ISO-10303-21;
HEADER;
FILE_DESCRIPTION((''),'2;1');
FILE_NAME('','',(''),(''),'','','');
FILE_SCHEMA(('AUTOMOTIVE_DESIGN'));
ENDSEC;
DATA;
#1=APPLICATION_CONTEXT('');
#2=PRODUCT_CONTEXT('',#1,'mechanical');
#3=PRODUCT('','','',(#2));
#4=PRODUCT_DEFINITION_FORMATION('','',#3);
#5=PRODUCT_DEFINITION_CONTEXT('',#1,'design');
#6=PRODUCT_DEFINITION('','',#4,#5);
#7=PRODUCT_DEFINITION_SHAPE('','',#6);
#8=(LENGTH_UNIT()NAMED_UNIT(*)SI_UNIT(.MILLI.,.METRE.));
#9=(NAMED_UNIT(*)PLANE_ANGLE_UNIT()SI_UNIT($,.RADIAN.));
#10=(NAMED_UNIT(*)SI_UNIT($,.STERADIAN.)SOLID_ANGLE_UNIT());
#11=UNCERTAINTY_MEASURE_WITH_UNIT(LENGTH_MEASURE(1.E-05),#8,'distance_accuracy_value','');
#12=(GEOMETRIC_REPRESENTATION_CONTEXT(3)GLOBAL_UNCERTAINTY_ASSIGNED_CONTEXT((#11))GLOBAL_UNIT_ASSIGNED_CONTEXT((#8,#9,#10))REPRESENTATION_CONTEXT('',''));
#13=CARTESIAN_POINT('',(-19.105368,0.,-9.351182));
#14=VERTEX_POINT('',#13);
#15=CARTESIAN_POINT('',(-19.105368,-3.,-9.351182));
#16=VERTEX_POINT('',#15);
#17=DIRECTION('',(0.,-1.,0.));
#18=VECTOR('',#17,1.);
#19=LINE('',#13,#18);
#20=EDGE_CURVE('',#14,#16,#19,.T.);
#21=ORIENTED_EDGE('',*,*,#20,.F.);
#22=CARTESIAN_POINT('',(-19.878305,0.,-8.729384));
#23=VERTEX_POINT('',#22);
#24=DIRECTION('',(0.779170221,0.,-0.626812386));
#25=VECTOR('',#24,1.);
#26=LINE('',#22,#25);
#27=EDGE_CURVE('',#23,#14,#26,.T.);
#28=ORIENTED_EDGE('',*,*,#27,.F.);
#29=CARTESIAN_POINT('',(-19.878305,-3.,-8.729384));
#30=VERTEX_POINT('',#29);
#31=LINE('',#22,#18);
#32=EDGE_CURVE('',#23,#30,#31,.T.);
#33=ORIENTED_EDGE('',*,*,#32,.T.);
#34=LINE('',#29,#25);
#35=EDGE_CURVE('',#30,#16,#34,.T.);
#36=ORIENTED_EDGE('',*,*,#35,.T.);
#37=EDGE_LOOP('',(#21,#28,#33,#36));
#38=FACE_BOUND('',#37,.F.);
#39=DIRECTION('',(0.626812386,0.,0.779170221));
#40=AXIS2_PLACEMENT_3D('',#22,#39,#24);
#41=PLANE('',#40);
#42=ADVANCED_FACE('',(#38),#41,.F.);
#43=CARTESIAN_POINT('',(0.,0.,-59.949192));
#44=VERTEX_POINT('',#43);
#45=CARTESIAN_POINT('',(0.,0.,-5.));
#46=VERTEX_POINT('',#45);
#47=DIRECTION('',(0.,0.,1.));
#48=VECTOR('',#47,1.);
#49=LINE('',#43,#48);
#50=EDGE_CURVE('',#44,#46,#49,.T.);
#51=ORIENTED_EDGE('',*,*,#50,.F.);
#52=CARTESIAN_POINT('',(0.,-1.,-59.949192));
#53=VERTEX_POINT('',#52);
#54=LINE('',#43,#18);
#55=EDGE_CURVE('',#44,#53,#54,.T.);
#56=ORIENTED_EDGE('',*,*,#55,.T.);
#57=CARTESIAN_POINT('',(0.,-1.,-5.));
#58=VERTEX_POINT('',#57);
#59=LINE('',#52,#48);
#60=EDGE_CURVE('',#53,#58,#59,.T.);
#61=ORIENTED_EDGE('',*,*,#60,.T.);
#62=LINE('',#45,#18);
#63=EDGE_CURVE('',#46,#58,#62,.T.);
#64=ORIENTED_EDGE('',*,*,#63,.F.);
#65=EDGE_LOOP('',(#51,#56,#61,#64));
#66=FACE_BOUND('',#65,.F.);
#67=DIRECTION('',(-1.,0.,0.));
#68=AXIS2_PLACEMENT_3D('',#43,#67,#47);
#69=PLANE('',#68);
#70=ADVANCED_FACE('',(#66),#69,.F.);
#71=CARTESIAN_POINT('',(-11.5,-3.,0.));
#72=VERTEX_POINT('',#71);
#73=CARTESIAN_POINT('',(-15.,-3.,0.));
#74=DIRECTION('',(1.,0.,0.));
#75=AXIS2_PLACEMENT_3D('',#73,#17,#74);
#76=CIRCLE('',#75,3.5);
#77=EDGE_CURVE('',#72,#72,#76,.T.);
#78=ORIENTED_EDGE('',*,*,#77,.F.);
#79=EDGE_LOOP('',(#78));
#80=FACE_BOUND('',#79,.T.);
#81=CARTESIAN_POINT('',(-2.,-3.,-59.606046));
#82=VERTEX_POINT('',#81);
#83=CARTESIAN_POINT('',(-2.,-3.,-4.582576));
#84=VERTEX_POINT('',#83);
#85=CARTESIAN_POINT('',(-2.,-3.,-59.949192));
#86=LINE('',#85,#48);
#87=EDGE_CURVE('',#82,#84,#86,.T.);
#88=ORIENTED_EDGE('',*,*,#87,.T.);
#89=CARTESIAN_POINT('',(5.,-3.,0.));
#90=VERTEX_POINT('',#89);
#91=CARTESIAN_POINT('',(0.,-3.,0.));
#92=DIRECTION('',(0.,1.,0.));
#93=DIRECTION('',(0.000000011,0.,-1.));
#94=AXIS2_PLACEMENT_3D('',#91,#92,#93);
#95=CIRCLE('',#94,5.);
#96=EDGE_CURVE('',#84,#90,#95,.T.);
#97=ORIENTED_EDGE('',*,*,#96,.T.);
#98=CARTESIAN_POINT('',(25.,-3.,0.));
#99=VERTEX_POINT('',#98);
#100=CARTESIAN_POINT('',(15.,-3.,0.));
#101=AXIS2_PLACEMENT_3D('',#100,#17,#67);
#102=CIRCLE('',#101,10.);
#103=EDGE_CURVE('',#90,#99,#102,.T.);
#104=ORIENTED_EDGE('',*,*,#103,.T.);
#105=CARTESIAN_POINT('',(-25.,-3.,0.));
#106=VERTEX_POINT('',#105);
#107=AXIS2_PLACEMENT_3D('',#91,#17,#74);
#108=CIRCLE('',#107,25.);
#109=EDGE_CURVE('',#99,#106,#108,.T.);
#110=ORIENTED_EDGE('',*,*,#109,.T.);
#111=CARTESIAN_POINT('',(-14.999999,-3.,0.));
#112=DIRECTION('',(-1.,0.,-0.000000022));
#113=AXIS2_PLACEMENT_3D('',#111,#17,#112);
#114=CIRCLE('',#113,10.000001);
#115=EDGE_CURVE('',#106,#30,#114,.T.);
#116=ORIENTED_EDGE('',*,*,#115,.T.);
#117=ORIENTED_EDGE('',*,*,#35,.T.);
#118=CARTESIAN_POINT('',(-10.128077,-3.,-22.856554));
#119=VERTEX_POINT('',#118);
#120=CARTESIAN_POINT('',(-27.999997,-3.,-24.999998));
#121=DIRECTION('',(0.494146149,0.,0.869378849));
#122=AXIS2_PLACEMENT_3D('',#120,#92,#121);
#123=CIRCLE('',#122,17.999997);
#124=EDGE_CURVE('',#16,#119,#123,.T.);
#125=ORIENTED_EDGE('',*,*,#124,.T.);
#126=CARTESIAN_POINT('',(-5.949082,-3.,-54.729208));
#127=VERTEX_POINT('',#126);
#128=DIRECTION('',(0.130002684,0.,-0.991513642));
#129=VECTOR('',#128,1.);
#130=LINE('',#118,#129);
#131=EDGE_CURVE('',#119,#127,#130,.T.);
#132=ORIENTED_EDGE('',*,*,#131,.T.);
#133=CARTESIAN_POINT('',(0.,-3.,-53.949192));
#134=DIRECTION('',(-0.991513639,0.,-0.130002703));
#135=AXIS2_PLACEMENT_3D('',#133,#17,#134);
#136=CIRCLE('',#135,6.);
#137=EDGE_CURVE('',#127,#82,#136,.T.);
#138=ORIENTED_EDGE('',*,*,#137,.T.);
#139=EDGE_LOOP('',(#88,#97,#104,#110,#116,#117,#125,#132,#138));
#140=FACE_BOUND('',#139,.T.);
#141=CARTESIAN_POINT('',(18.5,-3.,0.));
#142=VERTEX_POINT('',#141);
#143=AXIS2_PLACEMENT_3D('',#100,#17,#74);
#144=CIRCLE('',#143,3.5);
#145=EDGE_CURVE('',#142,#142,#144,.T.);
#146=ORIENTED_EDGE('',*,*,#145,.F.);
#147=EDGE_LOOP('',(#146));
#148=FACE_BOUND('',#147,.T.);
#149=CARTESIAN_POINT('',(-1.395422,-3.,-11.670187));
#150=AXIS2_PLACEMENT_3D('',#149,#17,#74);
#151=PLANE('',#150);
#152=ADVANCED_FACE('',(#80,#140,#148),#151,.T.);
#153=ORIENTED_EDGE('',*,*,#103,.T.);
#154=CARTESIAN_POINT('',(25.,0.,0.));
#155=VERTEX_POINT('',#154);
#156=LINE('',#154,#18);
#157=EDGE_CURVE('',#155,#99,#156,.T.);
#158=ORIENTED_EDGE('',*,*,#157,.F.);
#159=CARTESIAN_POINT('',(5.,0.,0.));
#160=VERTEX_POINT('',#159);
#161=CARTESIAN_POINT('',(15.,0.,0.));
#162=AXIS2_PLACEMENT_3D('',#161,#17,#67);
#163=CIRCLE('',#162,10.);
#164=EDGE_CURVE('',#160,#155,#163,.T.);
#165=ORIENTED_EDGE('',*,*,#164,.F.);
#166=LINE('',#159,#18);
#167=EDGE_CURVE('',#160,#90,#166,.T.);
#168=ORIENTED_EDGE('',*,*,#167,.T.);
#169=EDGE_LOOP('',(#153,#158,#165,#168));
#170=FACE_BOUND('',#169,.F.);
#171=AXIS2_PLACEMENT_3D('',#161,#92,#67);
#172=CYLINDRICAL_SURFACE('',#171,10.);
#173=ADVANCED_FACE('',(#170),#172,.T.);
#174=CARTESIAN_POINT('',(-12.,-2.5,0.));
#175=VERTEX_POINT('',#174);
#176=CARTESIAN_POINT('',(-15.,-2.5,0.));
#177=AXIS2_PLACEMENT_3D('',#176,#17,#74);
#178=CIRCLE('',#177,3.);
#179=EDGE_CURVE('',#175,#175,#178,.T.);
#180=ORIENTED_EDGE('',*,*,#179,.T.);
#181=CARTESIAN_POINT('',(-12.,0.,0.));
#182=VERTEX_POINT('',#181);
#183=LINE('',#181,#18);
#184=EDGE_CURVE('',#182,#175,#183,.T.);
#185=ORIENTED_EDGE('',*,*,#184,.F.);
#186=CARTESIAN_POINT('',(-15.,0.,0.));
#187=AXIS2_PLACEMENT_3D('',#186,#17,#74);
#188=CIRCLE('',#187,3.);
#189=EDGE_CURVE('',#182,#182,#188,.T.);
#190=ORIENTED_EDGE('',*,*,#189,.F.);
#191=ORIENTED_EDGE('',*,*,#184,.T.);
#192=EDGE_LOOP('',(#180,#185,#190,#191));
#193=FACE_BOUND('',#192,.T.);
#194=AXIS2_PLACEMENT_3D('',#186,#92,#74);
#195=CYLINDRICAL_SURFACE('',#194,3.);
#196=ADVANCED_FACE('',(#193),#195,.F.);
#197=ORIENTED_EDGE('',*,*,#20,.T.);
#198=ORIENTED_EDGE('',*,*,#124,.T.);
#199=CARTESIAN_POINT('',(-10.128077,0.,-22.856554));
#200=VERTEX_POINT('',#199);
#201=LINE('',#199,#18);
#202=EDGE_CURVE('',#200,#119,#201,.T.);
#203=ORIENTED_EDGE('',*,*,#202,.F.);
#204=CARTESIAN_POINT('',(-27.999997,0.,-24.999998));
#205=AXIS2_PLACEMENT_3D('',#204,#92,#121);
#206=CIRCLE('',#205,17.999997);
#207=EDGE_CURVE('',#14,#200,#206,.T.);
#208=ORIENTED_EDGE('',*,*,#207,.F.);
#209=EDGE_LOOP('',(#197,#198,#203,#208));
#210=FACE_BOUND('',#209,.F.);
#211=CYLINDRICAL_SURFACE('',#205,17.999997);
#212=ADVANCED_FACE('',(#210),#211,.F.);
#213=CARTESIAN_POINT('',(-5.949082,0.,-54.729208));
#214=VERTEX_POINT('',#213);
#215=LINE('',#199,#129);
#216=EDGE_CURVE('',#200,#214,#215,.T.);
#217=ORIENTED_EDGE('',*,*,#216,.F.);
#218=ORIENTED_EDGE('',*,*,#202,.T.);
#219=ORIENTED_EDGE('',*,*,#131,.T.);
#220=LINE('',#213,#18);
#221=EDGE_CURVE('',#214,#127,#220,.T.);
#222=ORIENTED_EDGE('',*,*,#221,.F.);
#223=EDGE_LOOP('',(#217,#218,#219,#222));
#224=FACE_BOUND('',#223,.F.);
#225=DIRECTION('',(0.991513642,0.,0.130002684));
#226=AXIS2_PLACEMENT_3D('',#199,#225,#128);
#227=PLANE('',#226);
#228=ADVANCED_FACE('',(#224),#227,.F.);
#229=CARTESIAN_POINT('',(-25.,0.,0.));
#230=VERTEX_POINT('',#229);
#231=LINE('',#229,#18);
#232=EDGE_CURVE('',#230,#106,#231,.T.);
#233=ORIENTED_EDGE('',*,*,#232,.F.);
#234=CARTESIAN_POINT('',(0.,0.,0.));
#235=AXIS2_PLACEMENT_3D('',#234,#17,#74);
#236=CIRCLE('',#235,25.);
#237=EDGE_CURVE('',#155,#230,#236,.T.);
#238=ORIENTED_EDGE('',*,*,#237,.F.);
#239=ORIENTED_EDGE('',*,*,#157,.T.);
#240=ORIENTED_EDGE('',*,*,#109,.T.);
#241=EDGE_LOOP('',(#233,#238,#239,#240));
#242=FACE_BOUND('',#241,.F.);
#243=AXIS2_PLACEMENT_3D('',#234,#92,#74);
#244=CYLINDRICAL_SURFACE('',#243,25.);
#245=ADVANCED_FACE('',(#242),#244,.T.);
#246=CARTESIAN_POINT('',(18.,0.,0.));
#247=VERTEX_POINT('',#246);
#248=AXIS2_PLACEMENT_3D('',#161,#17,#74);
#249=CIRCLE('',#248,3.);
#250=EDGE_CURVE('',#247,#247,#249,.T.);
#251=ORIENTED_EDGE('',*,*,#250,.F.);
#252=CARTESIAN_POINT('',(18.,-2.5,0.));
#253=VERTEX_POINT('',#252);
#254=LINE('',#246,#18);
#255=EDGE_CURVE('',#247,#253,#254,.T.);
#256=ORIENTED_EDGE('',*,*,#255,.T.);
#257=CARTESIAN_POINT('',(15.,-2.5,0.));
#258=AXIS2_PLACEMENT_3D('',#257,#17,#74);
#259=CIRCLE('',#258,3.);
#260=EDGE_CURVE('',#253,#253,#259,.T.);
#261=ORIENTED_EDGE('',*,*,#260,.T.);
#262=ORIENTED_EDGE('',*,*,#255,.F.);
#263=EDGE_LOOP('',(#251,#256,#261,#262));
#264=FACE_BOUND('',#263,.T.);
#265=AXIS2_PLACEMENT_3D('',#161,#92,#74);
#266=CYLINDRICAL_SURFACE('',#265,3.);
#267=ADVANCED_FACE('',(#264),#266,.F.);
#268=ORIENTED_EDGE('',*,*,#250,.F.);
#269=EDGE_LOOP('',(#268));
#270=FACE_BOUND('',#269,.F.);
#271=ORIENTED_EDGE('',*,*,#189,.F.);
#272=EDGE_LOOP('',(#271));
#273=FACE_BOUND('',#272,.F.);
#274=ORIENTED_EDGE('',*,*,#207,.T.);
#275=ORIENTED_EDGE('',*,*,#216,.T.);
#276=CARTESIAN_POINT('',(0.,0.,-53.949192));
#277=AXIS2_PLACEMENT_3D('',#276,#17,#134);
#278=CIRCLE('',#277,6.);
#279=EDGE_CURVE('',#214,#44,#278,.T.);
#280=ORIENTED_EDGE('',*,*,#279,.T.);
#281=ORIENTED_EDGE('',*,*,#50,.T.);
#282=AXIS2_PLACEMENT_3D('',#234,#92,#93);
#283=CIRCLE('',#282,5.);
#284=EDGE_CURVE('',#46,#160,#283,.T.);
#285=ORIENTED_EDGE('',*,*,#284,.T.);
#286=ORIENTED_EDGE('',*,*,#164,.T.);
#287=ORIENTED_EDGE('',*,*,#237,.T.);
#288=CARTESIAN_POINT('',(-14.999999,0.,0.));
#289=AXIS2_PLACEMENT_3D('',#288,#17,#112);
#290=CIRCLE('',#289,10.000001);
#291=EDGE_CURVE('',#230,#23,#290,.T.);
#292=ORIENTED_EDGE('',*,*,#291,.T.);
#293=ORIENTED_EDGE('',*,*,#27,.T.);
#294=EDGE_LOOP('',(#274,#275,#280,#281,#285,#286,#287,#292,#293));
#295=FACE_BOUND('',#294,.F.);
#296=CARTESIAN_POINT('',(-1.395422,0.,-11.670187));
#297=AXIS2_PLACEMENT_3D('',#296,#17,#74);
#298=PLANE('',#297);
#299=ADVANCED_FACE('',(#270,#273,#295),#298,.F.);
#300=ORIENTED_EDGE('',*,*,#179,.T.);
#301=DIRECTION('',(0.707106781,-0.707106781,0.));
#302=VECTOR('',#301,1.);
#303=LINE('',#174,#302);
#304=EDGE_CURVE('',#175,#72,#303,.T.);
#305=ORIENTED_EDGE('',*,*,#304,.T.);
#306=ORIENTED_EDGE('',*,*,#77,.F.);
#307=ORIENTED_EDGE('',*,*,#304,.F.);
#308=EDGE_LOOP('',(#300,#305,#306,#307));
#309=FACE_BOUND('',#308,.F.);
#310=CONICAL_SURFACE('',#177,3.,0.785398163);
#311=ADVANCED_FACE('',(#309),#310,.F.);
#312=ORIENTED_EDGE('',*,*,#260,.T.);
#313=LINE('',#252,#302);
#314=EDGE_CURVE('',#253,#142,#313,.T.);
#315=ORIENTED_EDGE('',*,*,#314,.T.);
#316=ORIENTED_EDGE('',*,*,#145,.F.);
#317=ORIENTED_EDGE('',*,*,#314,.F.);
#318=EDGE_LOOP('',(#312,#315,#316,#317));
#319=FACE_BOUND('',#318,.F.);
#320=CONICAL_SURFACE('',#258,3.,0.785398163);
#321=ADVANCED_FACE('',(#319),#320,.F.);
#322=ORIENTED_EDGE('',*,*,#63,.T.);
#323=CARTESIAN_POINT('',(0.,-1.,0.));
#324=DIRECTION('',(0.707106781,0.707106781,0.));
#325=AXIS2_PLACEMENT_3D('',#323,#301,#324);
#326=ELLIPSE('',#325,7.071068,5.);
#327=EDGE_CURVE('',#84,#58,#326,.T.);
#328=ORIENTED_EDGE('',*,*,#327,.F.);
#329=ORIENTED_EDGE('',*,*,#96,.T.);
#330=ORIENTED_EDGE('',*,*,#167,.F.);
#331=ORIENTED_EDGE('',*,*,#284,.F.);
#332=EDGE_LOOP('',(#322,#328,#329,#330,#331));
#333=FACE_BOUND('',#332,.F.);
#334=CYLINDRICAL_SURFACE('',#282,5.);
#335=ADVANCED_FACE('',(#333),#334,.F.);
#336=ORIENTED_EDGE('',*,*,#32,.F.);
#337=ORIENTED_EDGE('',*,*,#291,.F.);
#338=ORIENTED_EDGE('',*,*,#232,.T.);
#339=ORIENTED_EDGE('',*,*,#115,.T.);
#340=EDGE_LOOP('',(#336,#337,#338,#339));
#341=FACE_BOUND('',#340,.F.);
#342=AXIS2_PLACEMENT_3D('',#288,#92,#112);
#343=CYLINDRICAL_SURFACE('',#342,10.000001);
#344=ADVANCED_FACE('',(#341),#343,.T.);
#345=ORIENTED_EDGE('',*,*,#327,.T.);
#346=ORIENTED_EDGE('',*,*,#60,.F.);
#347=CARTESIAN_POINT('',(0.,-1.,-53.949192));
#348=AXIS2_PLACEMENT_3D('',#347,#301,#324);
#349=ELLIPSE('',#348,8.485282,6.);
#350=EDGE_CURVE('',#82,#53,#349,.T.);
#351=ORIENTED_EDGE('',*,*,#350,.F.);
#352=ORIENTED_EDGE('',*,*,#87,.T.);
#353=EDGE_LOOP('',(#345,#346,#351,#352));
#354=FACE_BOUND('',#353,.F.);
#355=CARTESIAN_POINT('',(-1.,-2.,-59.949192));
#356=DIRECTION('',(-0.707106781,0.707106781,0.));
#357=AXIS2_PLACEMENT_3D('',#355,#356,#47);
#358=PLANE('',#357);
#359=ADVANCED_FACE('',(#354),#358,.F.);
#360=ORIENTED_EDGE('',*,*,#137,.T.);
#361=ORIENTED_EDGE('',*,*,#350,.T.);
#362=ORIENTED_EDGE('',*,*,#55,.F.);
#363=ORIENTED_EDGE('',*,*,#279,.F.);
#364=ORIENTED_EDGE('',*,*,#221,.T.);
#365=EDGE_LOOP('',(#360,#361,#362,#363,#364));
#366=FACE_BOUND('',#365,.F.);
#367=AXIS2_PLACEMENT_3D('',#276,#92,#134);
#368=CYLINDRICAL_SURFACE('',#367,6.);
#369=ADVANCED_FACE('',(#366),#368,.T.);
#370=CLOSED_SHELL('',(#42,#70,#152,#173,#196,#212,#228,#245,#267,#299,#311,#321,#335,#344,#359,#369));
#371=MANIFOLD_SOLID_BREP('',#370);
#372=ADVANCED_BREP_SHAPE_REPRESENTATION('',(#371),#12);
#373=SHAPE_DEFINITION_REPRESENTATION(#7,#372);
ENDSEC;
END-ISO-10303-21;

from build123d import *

# Parameters (mm, degrees)
F0_R     = 3
F1_DEPTH = 3
F2_SIZE  = 0.5
F3_SIZE  = 2


with BuildPart() as f1:
    # F0 (on Front) → F1 (new body)
    with BuildSketch(Plane.XZ):
        with BuildLine():
            ThreePointArc((5, 0), (15, -10), (25, 0))
            ThreePointArc((25, 0), (0, 25), (-25, 0))
            ThreePointArc((-25, 0), (-23.625052, -5.060482), (-19.878305, -8.729384))
            Line((-19.878305, -8.729384), (-19.105368, -9.351182))
            ThreePointArc((-19.105368, -9.351182), (-13.00964, -15.035608), (-10.128077, -22.856554))
            Line((-10.128077, -22.856554), (-5.949082, -54.729208))
            ThreePointArc((-5.949082, -54.729208), (-3.957266, -58.459186), (0, -59.949192))
            Line((0, -59.949192), (0, -5))
            ThreePointArc((0, -5), (-3.535534, 3.535534), (5, 0))
        make_face()
        with Locations((-15, 0)):
            Circle(F0_R, mode=Mode.SUBTRACT)
        with Locations((15, 0)):
            Circle(F0_R, mode=Mode.SUBTRACT)
    extrude(amount=F1_DEPTH)

    # F2
    f2_edges = [f1.edges().sort_by_distance(p)[0] for p in [
        (-18, -3, 0),
        (12, -3, 0),
    ]]
    chamfer(f2_edges, length=F2_SIZE)

    # F3
    f3_edges = [f1.edges().sort_by_distance(p)[0] for p in [
        (0, -3, -32.474596),
    ]]
    chamfer(f3_edges, length=F3_SIZE)


solid = f1.part
